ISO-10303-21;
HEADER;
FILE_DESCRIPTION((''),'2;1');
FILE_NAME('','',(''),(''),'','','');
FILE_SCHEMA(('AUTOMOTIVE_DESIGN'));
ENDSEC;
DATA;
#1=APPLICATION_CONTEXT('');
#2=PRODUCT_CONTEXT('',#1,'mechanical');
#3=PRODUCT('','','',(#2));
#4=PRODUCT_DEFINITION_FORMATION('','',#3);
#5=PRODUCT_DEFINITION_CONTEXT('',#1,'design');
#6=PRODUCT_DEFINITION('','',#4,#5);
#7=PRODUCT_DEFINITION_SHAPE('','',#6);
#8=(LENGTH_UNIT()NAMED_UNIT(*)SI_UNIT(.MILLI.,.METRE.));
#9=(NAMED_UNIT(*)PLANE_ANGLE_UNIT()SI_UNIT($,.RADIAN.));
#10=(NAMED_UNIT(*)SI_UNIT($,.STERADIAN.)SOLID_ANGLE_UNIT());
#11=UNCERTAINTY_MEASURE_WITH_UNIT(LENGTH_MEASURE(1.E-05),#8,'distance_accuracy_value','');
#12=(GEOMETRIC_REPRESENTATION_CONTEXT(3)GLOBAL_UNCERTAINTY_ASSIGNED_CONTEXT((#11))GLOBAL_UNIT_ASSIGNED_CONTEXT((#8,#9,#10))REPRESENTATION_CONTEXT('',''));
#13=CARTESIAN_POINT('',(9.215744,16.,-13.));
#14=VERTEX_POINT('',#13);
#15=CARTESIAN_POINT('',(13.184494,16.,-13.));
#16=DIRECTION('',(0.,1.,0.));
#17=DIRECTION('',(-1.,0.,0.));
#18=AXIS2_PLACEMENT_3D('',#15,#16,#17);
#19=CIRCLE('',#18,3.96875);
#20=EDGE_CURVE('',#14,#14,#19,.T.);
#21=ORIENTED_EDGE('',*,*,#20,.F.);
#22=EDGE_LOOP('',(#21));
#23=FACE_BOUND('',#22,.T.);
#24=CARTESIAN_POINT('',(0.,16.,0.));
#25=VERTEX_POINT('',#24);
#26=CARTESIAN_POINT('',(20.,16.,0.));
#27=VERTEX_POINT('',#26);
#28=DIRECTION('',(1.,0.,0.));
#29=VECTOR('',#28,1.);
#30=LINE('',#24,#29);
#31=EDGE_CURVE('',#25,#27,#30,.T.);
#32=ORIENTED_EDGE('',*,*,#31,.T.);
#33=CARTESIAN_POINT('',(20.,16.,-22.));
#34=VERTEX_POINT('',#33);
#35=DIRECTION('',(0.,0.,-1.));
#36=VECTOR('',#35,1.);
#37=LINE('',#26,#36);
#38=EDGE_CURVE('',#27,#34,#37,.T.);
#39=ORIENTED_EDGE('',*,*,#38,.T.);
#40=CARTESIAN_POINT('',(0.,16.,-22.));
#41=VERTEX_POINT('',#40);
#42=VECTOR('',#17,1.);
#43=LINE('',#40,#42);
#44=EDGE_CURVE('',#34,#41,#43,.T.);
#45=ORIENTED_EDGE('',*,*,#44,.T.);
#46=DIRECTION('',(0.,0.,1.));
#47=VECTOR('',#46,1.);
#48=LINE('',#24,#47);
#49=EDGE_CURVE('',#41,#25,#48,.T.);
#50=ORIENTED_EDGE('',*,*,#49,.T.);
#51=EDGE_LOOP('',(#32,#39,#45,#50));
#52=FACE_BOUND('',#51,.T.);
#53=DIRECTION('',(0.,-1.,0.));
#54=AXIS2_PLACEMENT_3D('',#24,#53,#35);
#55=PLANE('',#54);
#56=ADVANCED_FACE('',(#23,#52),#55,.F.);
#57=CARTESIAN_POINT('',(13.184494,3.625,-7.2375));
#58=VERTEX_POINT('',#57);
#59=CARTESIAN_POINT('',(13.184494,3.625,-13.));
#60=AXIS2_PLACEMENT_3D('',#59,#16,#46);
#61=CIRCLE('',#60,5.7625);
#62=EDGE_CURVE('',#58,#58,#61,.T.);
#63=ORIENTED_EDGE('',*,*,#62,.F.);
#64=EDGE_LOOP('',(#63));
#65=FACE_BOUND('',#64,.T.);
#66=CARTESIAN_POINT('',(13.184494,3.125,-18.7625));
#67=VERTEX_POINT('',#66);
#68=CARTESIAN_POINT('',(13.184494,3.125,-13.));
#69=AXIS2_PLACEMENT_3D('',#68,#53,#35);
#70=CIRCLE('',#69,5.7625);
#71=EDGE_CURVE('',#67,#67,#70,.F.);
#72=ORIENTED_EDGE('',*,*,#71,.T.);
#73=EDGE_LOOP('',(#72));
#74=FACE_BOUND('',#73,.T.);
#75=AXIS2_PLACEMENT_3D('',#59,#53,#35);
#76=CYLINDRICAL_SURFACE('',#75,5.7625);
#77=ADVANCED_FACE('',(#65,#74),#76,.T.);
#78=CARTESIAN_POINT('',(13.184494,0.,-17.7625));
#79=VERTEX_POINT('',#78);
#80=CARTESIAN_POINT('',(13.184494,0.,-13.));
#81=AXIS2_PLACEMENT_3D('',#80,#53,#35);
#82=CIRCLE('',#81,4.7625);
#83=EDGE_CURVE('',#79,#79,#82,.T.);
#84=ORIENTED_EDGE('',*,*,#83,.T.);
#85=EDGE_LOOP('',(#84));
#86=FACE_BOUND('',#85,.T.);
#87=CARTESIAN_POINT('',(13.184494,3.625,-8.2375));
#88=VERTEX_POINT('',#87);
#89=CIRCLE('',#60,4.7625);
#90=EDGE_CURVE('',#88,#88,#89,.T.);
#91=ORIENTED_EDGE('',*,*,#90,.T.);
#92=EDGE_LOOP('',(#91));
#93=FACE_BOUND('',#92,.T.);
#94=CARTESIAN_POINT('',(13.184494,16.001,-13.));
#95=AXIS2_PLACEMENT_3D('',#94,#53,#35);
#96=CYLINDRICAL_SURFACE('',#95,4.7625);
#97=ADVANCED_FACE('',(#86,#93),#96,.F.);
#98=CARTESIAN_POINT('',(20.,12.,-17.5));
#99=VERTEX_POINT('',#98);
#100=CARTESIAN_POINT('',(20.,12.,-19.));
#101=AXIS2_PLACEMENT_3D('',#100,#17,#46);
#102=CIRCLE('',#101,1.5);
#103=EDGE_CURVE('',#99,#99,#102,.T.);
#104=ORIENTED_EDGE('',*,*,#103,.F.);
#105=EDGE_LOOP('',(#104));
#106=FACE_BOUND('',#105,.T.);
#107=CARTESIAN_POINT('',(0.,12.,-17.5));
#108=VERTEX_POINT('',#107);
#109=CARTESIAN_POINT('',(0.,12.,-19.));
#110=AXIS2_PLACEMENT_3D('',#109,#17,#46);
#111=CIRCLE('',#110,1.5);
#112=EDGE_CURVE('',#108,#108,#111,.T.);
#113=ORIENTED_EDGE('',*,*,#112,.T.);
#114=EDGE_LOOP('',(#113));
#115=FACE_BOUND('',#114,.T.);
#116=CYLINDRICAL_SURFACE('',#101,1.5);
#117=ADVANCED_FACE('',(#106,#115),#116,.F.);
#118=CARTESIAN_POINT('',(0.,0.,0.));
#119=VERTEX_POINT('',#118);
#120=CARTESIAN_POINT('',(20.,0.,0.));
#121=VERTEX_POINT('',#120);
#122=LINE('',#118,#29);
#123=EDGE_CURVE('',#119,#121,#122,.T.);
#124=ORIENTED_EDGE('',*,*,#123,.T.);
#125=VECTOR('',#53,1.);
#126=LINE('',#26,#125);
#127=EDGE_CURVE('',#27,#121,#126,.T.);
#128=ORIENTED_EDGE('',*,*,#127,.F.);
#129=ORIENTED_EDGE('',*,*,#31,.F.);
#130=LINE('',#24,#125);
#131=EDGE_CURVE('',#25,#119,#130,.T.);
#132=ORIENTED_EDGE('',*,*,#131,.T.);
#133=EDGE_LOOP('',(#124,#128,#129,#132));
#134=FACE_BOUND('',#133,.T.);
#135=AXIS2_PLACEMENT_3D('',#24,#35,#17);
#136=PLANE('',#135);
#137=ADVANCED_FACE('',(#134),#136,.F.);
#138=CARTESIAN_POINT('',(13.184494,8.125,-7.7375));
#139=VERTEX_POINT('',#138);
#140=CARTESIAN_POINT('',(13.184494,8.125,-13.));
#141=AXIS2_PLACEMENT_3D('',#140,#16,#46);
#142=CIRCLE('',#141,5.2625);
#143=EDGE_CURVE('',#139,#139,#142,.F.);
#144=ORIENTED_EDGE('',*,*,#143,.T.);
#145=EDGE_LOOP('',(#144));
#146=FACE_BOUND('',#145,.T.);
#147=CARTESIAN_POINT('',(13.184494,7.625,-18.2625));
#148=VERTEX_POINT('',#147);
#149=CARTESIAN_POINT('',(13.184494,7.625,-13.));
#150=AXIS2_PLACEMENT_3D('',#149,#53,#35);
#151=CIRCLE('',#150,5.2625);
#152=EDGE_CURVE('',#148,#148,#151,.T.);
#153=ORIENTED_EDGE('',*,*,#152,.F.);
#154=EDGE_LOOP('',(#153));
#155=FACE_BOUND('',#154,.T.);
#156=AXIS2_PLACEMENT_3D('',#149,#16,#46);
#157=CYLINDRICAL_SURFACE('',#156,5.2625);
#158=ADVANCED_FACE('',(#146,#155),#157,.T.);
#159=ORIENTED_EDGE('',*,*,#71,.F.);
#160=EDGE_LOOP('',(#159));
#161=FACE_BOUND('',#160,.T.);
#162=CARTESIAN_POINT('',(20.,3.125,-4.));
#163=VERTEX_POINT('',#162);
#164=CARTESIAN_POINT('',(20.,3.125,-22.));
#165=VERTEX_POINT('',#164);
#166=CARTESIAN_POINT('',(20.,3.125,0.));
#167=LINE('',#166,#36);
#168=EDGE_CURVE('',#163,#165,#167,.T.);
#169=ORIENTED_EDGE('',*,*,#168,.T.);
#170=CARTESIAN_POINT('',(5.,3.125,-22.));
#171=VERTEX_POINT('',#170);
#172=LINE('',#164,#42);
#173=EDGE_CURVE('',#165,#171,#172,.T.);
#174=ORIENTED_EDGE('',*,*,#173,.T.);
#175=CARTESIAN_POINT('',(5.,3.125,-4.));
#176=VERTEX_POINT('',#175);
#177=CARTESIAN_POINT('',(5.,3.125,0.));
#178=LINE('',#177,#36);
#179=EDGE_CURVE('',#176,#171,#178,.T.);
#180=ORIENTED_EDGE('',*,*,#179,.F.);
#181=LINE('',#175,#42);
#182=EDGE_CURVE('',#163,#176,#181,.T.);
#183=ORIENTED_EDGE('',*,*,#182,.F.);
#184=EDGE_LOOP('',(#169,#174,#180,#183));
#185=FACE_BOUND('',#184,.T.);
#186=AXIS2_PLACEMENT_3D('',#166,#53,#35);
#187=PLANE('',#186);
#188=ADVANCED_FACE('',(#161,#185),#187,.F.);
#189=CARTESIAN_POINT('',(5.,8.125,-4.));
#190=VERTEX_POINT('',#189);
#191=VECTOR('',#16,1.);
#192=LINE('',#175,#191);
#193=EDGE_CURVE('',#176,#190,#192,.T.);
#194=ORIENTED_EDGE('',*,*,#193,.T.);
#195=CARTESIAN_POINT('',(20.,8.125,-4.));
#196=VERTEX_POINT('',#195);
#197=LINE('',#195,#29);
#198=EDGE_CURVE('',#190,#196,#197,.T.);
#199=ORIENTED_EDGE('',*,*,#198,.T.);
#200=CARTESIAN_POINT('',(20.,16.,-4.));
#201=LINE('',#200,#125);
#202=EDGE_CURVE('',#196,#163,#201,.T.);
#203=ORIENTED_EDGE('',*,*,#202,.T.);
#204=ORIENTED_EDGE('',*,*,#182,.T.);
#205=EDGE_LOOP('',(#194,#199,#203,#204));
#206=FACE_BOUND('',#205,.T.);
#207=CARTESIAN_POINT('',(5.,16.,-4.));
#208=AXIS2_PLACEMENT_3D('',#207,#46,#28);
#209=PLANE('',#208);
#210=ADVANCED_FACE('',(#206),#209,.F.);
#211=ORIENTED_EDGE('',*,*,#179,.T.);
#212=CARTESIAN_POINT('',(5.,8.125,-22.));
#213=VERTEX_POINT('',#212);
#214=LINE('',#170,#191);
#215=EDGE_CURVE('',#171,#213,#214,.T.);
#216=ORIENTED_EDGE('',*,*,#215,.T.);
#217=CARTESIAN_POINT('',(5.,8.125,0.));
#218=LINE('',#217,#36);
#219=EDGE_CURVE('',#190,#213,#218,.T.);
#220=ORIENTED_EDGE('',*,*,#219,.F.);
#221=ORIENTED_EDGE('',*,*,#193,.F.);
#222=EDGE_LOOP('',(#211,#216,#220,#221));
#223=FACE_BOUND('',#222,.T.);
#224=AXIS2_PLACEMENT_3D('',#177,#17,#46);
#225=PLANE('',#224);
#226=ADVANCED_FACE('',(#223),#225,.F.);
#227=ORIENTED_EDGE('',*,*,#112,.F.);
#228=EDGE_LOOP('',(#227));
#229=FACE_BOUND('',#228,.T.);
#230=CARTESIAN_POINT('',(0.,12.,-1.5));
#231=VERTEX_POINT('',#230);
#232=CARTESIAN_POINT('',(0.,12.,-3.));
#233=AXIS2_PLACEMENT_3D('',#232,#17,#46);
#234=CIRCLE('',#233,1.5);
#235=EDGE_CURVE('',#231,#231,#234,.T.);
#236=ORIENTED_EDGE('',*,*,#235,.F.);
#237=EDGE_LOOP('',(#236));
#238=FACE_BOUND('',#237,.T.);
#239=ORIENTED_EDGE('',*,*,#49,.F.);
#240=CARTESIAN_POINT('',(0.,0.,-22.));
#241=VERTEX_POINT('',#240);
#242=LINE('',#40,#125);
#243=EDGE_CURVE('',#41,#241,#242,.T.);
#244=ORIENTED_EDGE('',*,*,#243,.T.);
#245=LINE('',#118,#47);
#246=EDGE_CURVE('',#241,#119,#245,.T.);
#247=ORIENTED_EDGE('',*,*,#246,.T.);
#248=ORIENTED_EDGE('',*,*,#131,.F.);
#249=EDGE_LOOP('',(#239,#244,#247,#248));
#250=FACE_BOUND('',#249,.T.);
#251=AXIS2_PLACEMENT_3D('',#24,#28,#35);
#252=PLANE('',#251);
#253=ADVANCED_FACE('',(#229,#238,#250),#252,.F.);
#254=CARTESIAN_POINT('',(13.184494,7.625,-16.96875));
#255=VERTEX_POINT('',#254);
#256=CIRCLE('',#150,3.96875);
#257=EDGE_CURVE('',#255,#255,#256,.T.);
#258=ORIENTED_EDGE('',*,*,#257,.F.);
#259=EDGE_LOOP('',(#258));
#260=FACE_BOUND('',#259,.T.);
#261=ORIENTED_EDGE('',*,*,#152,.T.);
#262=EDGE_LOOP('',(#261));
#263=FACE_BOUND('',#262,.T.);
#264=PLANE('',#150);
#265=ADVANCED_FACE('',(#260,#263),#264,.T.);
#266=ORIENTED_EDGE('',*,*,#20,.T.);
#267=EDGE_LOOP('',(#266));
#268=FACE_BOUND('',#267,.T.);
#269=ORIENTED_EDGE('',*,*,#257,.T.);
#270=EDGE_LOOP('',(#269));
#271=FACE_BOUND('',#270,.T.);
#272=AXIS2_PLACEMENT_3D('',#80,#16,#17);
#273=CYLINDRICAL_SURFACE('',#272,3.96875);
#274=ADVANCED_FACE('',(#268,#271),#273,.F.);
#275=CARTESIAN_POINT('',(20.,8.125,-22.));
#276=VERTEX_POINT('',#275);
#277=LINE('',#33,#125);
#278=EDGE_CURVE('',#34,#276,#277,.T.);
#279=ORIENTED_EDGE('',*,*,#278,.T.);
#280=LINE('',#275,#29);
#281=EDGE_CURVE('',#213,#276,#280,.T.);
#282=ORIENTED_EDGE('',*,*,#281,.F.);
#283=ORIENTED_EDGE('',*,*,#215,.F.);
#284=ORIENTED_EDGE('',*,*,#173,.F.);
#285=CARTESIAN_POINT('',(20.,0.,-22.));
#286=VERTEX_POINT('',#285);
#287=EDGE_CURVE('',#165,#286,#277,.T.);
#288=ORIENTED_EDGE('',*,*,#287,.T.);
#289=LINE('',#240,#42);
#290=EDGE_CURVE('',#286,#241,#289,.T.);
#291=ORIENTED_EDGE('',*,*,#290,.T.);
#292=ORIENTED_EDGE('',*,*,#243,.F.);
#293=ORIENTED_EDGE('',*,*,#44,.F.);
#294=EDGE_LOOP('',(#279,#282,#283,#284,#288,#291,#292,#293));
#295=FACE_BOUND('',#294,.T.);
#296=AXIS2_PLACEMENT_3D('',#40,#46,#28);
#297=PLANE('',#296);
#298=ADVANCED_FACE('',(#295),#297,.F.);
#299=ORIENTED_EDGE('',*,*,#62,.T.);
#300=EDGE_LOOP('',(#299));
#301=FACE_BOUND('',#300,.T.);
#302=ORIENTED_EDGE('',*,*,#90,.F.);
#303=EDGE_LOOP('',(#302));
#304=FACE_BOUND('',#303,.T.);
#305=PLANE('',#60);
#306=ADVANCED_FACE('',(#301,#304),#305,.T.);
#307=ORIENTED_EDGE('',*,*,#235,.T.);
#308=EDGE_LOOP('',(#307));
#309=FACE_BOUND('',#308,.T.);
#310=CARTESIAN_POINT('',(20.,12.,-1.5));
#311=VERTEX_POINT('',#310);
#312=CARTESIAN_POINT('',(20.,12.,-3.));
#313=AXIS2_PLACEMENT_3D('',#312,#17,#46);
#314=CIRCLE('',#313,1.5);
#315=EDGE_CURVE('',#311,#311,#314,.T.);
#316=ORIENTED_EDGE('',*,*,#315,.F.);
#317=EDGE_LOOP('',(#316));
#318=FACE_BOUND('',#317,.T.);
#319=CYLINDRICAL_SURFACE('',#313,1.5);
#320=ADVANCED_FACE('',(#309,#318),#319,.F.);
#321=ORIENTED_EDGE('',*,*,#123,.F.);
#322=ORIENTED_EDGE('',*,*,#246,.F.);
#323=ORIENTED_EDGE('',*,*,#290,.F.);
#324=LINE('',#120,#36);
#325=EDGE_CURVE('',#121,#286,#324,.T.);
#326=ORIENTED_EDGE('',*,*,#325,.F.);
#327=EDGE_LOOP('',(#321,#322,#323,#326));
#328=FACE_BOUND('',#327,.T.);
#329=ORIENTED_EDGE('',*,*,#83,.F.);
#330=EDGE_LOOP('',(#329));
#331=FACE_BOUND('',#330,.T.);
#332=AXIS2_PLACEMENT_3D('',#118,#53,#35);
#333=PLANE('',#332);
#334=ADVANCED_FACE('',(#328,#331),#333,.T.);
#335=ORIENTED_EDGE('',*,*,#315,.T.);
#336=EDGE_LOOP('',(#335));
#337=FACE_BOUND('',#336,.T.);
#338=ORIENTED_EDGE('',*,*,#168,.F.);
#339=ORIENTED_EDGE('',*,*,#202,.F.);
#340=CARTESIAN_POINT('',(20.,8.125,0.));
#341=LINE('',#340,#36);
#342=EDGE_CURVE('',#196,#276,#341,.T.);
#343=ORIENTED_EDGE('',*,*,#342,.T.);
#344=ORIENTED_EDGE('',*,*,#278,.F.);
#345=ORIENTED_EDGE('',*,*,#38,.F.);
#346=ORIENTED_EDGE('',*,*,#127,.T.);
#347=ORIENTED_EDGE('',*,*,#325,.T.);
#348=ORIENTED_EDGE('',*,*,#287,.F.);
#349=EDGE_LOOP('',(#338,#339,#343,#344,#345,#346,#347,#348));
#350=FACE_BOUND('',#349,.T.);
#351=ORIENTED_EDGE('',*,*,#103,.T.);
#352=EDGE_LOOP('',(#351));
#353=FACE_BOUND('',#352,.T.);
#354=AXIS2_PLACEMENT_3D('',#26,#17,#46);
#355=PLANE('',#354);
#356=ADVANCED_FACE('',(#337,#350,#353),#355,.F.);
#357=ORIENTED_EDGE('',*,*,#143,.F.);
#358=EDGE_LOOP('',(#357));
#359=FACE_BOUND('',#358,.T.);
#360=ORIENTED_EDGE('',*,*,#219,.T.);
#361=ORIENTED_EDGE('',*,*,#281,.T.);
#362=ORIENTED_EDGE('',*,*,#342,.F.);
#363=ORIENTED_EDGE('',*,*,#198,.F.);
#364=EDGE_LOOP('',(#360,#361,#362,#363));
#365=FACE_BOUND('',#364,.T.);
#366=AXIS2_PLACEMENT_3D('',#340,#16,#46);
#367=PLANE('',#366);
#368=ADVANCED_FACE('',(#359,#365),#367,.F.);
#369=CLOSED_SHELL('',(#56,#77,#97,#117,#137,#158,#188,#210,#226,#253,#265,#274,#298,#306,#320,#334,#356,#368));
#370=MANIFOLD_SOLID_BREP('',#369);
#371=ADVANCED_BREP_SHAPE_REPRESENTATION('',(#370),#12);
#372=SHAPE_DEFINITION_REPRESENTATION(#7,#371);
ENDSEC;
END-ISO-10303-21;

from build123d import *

# Parameters (mm, degrees)
SKETCH1_W               = 20
SKETCH1_H               = 22
BOSS_EXTRUDE1_DEPTH     = 16
SKETCH2_W               = 15
SKETCH2_H               = 5
CUT_EXTRUDE1_DEPTH      = 23
SKETCH3_R               = 3.96875
CUT_EXTRUDE2_DEPTH      = 13.875
CUT_EXTRUDE2_DEPTH_BACK = 4.125
CUT_EXTRUDE3_REACH      = 18
SKETCH4_R               = 4.7625
SKETCH5_R               = 5.762499999
SKETCH5_R_2             = 4.762499999
BOSS_EXTRUDE2_DEPTH     = 0.5
SKETCH6_R               = 5.2625
SKETCH6_R_2             = 3.96875
BOSS_EXTRUDE3_DEPTH     = 0.5
BOSS_EXTRUDE4_REACH     = 14.875
SKETCH7_W               = 15
SKETCH7_H               = 4
SKETCH9_R               = 1.5
CUT_EXTRUDE4_DEPTH      = 21


with BuildPart() as part:
    # Sketch1 → Boss-Extrude1 (new body)
    with BuildSketch(Plane(origin=(0, 0, 0), x_dir=(1, 0, 0), z_dir=(0, 1, 0))):
        with Locations((10, 11)):
            Rectangle(SKETCH1_W, SKETCH1_H)
    extrude(amount=BOSS_EXTRUDE1_DEPTH)

    # Sketch2 → Cut-Extrude1 (cut, through all)
    with BuildSketch(Plane(origin=(0, 0, -22), x_dir=(-1, 0, 0), z_dir=(0, 0, -1))):
        with Locations((-12.5, 5.625)):
            Rectangle(SKETCH2_W, SKETCH2_H)
    extrude(amount=-CUT_EXTRUDE1_DEPTH, mode=Mode.SUBTRACT)

    # Sketch3 → Cut-Extrude2 (cut, two sides)
    with BuildSketch(Plane(origin=(0, 3.125, 0), x_dir=(1, 0, 0), z_dir=(0, 1, 0))) as cut_extrude2_sk:
        with Locations((13.184494174, 13)):
            Circle(SKETCH3_R)
    extrude(amount=CUT_EXTRUDE2_DEPTH, mode=Mode.SUBTRACT)
    extrude(cut_extrude2_sk.sketch, amount=-CUT_EXTRUDE2_DEPTH_BACK, mode=Mode.SUBTRACT)

    # Sketch4 → Cut-Extrude3 (cut, up to next)
    with BuildSketch(Plane.XZ, mode=Mode.PRIVATE) as cut_extrude3_sk1:
        with Locations((13.184494174, -13)):
            Circle(SKETCH4_R)
    cut_extrude3_tool1 = extrude(cut_extrude3_sk1.sketch, amount=-CUT_EXTRUDE3_REACH, mode=Mode.PRIVATE) & part.part
    add(cut_extrude3_tool1.solids().sort_by_distance((13.184494, 0, -13))[0], mode=Mode.SUBTRACT)

    # Sketch5 → Boss-Extrude2 (add)
    with BuildSketch(Plane(origin=(0, 3.125, 0), x_dir=(1, 0, 0), z_dir=(0, 1, 0))):
        with Locations((13.184494174, 13)):
            Circle(SKETCH5_R)
        with Locations((13.184494174, 13)):
            Circle(SKETCH5_R_2, mode=Mode.SUBTRACT)
    extrude(amount=BOSS_EXTRUDE2_DEPTH)

    # Sketch6 → Boss-Extrude3 (add)
    with BuildSketch(Plane.XZ.offset(-8.125)):
        with Locations((13.184494174, -13)):
            Circle(SKETCH6_R)
        with Locations((13.184494174, -13)):
            Circle(SKETCH6_R_2, mode=Mode.SUBTRACT)
    extrude(amount=BOSS_EXTRUDE3_DEPTH)

    # Sketch7 → Boss-Extrude4 (add, up to next)
    with BuildSketch(Plane(origin=(0, 3.125, 0), x_dir=(1, 0, 0), z_dir=(0, 1, 0)), mode=Mode.PRIVATE) as boss_extrude4_sk1:
        with Locations((12.5, 2)):
            Rectangle(SKETCH7_W, SKETCH7_H)
    boss_extrude4_tool1 = extrude(boss_extrude4_sk1.sketch, amount=BOSS_EXTRUDE4_REACH, mode=Mode.PRIVATE) - part.part
    add(boss_extrude4_tool1.solids().sort_by_distance((12.5, 3.125, -2))[0])

    # Sketch9 → Cut-Extrude4 (cut, through all)
    with BuildSketch(Plane.ZY):
        with Locations((-3, 12)):
            Circle(SKETCH9_R)
        with Locations((-19, 12)):
            Circle(SKETCH9_R)
    extrude(amount=-CUT_EXTRUDE4_DEPTH, mode=Mode.SUBTRACT)


solid = part.part
